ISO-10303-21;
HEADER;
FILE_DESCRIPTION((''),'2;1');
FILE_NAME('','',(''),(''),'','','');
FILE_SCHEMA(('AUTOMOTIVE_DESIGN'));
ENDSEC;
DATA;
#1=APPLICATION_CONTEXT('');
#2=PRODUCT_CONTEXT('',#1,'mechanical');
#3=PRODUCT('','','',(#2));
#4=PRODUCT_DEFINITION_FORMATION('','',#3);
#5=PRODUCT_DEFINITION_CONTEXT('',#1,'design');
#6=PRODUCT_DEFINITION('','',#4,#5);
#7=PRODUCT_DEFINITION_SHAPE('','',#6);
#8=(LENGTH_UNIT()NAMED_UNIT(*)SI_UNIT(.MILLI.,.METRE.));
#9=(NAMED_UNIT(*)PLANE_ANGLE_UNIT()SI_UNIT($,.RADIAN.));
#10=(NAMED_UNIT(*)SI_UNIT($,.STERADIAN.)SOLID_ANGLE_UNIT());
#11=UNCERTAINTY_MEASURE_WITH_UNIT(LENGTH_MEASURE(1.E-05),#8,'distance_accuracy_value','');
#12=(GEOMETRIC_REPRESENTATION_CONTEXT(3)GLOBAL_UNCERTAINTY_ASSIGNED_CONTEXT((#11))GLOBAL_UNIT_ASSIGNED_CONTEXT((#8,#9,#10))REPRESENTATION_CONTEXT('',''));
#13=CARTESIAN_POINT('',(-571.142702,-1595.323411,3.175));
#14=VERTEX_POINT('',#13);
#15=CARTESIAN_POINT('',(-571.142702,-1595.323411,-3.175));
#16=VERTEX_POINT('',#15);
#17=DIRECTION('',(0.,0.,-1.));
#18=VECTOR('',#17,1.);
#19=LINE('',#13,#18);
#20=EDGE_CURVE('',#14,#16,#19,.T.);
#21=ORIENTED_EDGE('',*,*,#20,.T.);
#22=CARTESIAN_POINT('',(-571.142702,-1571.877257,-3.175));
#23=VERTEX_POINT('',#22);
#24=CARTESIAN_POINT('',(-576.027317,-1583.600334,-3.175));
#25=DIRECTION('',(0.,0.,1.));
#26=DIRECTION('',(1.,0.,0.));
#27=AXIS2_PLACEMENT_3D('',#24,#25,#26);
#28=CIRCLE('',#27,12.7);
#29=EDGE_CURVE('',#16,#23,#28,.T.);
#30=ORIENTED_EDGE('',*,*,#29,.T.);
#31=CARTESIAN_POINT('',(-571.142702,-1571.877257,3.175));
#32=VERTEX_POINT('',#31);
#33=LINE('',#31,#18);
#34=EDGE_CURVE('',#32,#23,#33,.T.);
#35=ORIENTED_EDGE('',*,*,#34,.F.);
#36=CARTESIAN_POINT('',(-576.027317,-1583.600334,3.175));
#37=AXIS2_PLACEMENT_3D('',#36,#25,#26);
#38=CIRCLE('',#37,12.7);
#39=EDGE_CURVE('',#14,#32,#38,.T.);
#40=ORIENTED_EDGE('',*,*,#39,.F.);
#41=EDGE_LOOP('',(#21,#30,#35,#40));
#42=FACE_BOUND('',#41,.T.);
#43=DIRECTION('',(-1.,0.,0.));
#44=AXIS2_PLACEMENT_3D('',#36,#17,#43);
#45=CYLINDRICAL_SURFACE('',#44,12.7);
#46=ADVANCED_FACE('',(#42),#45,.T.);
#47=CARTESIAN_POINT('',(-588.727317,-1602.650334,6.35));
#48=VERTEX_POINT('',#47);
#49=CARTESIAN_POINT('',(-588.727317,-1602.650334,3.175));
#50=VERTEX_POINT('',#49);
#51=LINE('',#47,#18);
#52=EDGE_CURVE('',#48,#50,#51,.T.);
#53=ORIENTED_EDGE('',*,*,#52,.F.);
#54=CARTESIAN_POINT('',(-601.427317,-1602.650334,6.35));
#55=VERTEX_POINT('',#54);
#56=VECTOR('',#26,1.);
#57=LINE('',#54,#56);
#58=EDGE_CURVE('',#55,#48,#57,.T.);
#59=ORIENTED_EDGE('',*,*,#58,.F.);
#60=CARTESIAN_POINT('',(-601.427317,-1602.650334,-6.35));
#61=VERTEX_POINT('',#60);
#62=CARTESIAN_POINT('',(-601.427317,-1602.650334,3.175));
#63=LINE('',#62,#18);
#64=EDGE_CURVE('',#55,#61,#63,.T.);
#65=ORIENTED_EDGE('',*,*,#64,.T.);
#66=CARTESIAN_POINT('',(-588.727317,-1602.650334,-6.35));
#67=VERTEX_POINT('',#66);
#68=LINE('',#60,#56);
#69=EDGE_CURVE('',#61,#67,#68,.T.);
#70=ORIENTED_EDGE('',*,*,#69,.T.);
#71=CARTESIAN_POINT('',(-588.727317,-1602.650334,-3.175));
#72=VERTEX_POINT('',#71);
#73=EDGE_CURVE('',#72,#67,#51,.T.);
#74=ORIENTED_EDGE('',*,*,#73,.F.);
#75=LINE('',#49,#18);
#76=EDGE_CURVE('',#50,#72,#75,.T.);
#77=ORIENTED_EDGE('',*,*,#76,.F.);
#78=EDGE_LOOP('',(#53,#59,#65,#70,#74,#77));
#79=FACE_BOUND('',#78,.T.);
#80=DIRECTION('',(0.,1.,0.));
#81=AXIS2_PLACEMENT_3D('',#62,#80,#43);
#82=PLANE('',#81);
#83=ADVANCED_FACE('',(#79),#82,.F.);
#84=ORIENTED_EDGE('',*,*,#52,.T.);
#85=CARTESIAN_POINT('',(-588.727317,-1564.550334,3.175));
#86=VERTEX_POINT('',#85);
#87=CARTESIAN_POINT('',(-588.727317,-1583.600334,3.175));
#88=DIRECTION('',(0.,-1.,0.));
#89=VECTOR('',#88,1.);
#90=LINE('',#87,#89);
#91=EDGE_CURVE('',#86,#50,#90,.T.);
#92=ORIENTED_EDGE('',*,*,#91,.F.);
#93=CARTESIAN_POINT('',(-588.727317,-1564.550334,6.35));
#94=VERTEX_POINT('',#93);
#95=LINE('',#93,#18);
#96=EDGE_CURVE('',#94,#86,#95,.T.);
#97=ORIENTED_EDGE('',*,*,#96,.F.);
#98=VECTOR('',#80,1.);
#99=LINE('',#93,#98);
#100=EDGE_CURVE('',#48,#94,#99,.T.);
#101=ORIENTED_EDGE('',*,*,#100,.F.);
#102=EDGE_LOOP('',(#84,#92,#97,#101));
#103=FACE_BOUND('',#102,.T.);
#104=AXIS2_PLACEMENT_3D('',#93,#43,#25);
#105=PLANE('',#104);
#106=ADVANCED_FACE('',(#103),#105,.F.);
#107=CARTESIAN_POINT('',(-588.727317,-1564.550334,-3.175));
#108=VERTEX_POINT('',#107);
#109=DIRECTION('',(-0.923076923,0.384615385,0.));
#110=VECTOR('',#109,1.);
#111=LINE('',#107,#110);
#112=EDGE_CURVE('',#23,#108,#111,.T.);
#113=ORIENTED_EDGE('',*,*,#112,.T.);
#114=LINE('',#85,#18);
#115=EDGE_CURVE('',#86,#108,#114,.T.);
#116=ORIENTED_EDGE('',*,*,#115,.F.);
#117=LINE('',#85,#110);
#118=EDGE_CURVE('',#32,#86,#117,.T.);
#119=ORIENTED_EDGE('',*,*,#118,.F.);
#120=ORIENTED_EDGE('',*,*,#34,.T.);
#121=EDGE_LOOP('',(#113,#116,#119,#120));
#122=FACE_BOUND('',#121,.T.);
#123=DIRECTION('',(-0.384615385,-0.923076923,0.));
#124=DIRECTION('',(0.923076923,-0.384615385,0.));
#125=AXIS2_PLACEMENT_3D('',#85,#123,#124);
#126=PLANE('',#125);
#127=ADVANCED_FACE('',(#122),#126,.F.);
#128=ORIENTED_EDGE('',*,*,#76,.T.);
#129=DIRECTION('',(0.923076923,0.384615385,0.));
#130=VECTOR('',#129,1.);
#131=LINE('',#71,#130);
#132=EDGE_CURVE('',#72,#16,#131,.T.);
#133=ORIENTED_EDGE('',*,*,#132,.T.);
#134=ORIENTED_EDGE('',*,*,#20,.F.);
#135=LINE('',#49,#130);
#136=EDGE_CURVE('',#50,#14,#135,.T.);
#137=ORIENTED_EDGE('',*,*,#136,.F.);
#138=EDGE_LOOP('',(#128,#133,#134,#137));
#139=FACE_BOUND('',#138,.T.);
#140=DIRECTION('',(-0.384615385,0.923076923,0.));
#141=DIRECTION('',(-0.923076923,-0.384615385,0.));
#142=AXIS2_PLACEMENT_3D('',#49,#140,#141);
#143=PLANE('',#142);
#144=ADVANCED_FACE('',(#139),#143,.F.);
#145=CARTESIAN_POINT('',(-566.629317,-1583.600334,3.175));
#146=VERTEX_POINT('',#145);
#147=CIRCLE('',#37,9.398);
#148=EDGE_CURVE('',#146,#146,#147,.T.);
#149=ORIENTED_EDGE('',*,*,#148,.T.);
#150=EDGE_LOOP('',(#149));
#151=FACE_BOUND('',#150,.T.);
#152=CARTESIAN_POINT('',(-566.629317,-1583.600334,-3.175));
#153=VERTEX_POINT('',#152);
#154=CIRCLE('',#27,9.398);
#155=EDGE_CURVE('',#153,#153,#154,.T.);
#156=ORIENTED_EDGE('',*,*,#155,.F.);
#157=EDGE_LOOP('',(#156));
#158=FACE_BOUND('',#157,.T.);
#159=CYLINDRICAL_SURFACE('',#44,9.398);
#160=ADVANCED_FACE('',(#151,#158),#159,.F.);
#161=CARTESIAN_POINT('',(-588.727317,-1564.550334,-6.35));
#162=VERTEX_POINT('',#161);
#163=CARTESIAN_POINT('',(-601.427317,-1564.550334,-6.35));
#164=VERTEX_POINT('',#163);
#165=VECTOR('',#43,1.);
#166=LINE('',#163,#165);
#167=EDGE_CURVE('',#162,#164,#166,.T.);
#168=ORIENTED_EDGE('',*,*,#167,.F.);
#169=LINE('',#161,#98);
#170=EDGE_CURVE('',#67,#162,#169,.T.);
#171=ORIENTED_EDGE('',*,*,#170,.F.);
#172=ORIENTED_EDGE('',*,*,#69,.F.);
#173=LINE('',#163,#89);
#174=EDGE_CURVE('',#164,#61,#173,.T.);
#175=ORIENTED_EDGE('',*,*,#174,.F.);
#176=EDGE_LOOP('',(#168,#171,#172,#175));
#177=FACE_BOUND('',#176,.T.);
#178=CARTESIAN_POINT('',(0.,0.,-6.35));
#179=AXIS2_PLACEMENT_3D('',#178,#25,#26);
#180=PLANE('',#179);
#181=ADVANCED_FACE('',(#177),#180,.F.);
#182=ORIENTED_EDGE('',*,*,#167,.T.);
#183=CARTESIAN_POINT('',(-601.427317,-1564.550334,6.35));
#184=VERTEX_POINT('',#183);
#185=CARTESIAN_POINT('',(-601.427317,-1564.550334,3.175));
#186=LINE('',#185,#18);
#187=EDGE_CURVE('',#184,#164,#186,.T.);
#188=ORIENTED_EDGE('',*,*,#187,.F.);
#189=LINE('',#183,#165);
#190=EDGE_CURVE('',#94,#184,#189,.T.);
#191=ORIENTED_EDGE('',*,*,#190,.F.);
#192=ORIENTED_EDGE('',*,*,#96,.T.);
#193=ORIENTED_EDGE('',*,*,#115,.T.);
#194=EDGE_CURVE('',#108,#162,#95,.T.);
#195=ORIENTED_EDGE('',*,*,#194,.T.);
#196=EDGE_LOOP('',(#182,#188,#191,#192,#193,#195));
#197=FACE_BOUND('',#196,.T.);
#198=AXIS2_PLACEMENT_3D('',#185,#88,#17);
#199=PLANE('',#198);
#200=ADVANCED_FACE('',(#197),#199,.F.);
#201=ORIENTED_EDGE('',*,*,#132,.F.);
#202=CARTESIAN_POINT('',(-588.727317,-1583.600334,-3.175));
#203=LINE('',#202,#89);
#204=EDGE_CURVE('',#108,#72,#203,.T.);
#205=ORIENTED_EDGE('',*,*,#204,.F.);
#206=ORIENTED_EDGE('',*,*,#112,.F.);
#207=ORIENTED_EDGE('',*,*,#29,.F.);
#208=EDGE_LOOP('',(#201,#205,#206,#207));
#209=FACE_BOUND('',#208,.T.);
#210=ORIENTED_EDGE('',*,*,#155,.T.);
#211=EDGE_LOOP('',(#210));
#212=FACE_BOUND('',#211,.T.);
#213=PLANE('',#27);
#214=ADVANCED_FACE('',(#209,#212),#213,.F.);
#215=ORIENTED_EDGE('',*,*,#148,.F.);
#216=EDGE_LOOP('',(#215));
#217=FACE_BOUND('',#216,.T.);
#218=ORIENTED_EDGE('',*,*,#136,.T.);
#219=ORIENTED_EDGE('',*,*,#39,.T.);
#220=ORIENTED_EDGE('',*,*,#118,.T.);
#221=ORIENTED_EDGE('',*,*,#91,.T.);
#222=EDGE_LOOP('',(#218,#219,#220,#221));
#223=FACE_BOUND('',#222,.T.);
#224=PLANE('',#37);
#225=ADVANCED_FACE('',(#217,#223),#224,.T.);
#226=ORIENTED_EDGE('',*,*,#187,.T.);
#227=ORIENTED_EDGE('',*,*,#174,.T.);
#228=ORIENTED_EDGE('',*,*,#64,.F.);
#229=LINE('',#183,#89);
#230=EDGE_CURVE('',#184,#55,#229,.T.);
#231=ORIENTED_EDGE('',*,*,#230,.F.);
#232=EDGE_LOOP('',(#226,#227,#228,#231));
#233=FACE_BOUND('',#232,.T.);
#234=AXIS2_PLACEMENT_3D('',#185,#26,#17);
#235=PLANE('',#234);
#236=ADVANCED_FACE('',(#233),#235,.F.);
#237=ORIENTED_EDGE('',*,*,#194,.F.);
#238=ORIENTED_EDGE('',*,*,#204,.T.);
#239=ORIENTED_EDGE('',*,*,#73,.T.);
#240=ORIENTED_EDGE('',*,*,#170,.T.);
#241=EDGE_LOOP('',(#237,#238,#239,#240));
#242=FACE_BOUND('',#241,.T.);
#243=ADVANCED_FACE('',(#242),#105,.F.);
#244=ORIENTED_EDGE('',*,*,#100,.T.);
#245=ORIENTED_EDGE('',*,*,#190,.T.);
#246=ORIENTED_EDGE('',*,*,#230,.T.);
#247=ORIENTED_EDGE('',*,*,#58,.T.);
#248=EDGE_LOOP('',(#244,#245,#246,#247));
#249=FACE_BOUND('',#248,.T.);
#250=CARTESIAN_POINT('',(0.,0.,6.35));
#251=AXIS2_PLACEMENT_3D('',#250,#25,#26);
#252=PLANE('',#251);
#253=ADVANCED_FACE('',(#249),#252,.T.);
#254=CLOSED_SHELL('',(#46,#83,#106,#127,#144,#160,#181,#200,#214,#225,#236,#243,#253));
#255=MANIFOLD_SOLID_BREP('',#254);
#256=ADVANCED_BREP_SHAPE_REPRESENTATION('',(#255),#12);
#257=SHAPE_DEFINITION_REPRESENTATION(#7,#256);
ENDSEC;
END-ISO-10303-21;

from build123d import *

# Parameters (mm, degrees)
SKETCH1_R           = 9.398
BOSS_EXTRUDE1_DEPTH = 3.175
SKETCH2_W           = 12.7
SKETCH2_H           = 38.1
BOSS_EXTRUDE2_DEPTH = 6.35


with BuildPart() as part:
    # Sketch1 → Boss-Extrude1 (new body, symmetric)
    with BuildSketch(Plane.XY):
        with BuildLine():
            Line((-601.427317331, -1564.55033403), (-601.427317331, -1602.65033403))
            Line((-601.427317331, -1602.65033403), (-588.727317331, -1602.65033403))
            Line((-588.727317331, -1602.65033403), (-571.142701946, -1595.323410953))
            ThreePointArc((-571.142701946, -1595.323410953), (-563.327317331, -1583.60033403), (-571.142701946, -1571.877257107))
            Line((-571.142701946, -1571.877257107), (-588.727317331, -1564.55033403))
            Line((-588.727317331, -1564.55033403), (-601.427317331, -1564.55033403))
        make_face()
        with Locations((-576.027317331, -1583.60033403)):
            Circle(SKETCH1_R, mode=Mode.SUBTRACT)
    extrude(amount=BOSS_EXTRUDE1_DEPTH, both=True)

    # Sketch2 → Boss-Extrude2 (add, symmetric)
    with BuildSketch(Plane.XY):
        with Locations((-595.077317331, -1583.60033403)):
            Rectangle(SKETCH2_W, SKETCH2_H)
    extrude(amount=BOSS_EXTRUDE2_DEPTH, both=True)


solid = part.part
